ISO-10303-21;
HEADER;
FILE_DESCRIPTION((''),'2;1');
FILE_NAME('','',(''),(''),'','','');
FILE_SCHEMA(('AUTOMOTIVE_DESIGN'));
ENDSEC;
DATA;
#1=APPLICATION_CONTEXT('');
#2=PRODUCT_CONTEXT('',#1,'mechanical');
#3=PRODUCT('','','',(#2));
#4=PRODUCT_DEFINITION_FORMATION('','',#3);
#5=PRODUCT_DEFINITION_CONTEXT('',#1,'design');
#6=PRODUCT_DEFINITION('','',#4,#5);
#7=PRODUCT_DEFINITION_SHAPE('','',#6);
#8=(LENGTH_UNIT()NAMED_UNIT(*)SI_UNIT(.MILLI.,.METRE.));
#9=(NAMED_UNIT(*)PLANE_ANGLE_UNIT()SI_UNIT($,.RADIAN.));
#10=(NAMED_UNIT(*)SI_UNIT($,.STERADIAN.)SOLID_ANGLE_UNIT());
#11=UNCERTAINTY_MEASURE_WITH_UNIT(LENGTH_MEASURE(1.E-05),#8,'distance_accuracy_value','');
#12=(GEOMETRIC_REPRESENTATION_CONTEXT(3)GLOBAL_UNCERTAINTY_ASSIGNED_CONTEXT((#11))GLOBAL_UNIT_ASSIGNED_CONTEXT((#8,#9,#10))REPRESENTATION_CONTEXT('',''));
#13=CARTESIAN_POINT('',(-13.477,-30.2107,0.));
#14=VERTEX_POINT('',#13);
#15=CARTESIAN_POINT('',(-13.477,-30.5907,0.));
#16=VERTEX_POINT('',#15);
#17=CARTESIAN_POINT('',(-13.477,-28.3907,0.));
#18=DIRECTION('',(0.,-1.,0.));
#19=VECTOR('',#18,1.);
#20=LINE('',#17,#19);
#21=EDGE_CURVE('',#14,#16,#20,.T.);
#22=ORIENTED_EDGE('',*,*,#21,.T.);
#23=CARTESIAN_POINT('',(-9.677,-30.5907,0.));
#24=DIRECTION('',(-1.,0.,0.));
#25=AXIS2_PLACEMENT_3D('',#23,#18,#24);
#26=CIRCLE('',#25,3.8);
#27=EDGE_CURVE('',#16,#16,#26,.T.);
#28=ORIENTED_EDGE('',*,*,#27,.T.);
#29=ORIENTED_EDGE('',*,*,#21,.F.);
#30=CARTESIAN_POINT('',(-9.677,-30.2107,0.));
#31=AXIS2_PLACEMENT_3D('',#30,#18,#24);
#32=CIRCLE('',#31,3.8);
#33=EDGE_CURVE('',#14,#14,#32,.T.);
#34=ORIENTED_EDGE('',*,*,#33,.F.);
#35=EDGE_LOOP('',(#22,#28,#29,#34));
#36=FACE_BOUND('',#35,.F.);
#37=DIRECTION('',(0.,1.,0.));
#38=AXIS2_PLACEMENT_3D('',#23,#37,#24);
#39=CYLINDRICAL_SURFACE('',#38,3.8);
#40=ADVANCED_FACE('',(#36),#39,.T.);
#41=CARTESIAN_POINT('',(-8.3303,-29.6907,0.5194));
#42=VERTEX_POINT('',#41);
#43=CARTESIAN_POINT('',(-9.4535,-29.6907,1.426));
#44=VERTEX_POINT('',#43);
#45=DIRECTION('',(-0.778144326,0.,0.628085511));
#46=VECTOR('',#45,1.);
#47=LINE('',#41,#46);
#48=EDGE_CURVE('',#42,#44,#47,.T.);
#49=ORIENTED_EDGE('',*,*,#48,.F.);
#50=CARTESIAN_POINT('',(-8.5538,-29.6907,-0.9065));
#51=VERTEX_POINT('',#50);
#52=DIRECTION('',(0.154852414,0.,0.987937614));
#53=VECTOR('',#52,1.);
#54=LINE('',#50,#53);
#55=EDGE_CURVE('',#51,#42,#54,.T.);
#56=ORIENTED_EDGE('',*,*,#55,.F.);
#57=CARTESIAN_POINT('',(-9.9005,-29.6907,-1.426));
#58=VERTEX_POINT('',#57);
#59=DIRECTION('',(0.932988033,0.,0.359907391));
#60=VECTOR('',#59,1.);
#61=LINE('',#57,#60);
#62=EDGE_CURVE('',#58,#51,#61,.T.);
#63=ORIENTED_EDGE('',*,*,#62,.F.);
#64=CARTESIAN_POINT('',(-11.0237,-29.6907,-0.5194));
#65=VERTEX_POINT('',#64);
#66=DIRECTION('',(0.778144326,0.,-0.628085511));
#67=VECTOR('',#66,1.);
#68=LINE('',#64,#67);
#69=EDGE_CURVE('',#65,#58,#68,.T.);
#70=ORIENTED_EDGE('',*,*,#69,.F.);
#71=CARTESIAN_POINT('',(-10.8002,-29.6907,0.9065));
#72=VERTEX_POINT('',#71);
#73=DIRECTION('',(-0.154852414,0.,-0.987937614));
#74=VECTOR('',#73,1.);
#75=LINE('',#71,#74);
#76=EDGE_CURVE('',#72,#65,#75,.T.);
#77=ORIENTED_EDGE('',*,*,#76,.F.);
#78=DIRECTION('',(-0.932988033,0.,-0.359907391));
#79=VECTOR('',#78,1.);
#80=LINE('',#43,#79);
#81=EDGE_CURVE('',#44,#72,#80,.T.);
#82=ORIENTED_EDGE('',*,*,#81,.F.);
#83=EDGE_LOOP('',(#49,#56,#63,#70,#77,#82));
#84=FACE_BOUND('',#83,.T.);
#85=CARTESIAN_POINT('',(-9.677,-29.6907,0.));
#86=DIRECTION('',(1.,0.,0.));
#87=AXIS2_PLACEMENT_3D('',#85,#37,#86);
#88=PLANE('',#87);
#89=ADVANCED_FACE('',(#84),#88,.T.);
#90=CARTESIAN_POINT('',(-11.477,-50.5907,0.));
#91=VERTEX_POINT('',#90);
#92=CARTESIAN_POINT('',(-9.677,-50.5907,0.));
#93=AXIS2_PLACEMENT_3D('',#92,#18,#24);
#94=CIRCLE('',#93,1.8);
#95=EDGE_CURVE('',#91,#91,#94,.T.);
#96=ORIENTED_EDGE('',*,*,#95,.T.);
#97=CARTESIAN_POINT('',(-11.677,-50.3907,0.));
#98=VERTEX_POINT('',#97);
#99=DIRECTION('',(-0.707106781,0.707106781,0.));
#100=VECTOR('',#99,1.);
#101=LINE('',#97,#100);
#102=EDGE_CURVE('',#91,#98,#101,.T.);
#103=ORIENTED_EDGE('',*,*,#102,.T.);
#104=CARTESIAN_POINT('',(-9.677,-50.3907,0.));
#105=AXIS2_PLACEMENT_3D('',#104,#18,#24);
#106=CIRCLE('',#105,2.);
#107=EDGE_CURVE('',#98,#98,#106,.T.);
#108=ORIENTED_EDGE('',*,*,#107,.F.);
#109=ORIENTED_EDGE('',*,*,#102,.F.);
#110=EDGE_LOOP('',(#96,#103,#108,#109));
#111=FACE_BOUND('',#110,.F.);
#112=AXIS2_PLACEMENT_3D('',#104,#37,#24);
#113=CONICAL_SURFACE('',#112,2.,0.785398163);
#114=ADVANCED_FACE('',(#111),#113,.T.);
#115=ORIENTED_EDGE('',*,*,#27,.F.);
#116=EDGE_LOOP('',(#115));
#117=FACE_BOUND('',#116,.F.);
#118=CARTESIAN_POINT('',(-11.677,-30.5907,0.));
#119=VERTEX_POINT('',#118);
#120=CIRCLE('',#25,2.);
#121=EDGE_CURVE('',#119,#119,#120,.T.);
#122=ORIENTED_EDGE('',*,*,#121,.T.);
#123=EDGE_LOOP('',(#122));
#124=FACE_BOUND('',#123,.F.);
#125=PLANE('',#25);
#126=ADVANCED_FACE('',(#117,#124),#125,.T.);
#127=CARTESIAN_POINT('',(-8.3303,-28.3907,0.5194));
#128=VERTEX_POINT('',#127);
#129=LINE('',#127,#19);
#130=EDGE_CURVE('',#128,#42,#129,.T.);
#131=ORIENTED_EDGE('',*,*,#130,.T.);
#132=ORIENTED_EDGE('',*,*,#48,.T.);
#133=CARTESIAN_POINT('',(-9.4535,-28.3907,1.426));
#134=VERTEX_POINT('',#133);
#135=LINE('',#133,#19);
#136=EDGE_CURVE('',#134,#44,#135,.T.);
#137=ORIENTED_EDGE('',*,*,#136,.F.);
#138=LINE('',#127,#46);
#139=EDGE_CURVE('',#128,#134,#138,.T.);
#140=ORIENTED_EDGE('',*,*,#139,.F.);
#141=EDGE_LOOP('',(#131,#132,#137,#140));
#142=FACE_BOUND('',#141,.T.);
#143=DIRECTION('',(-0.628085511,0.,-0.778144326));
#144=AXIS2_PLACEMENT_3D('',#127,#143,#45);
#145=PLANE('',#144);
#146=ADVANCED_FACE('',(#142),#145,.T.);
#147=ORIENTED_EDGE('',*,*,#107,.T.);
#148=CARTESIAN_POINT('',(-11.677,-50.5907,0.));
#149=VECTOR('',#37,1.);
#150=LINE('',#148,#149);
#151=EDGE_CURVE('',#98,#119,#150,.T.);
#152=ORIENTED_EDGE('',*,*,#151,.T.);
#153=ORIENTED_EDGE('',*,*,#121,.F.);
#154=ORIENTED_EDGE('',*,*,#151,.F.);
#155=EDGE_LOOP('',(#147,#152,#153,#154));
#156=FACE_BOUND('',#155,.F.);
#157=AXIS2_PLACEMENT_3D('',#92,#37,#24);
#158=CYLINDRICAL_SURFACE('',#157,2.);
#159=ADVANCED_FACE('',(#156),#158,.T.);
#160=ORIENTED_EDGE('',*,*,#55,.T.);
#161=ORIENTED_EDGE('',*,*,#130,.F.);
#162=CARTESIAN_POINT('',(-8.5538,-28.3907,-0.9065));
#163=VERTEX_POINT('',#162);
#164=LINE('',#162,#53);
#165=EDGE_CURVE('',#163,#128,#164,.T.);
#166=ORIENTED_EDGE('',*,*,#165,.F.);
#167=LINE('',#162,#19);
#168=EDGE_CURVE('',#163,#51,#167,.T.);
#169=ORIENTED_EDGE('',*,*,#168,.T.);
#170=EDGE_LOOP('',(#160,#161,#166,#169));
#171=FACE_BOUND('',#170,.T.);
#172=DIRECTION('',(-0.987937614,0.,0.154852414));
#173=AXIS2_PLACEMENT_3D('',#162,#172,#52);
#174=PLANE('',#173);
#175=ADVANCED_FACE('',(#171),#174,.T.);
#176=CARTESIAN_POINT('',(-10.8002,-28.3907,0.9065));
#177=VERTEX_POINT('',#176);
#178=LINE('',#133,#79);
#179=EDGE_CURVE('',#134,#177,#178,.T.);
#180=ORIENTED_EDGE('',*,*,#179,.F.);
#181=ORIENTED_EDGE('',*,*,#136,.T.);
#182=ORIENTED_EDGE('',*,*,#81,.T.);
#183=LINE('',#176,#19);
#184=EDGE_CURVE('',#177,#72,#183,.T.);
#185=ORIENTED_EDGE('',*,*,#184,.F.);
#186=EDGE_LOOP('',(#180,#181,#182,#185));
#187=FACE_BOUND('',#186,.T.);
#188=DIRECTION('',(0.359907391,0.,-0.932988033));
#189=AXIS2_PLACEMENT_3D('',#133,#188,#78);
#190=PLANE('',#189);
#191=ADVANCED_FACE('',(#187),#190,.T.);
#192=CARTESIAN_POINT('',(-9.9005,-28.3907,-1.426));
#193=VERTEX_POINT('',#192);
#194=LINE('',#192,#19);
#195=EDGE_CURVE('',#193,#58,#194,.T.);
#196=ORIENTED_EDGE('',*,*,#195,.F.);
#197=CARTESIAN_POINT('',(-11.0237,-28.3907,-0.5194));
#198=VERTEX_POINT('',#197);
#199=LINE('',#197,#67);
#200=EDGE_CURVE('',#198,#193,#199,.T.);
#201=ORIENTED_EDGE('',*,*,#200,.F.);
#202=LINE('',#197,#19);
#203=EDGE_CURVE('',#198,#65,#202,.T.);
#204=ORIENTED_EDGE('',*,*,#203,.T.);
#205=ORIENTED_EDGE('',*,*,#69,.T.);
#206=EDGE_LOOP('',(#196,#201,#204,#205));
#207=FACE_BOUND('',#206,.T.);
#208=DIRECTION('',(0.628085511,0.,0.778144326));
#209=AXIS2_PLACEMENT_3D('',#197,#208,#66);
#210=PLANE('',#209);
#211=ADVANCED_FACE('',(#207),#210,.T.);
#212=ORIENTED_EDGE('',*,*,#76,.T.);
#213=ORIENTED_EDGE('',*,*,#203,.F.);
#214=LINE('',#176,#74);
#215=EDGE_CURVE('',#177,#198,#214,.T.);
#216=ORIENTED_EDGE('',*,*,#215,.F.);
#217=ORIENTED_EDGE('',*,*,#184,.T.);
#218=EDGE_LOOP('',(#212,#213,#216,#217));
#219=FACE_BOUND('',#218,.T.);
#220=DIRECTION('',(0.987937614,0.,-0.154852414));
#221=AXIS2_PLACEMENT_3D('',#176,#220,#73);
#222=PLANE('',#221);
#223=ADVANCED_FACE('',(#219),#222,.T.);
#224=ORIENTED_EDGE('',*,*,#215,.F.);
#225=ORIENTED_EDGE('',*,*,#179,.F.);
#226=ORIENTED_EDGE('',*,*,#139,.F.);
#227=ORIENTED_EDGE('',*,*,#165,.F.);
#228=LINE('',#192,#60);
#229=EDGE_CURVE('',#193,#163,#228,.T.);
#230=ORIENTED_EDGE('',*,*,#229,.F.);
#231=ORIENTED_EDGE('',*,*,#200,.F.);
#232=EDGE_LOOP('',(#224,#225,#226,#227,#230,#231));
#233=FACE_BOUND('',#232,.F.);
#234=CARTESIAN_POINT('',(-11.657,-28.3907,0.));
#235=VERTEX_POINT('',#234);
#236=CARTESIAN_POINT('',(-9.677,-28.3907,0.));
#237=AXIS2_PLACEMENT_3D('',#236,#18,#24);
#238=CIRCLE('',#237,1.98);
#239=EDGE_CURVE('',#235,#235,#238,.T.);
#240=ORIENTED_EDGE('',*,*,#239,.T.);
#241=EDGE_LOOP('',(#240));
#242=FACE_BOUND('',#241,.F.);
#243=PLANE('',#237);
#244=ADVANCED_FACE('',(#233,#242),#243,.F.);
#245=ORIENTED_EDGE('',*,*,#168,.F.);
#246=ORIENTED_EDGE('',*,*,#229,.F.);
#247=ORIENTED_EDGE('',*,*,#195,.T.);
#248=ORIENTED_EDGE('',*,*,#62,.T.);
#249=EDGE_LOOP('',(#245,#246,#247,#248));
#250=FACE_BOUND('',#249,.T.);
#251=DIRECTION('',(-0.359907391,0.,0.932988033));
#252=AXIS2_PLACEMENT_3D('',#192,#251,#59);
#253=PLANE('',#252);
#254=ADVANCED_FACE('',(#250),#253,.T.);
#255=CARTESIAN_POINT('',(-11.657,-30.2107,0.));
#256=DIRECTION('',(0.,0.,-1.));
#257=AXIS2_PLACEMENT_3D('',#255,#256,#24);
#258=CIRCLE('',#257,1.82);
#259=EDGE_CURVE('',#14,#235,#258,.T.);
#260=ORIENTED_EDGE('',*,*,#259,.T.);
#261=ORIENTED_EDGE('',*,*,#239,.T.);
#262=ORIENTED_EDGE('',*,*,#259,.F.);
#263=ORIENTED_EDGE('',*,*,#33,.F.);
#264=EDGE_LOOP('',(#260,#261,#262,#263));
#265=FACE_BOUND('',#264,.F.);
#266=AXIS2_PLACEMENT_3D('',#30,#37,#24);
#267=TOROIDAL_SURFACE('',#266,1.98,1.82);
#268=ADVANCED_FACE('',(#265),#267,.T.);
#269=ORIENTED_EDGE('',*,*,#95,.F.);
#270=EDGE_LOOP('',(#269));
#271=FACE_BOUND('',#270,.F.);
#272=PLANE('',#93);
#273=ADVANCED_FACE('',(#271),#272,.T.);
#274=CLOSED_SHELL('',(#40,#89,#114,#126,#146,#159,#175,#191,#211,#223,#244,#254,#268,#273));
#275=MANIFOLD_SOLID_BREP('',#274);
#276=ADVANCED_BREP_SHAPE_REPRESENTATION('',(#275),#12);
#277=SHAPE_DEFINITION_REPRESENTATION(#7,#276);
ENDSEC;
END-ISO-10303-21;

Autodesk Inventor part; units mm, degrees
ref_plane "YZ Plane" through (0, 0, 0) normal (1, 0, 0) x (0, 1, 0)
ref_plane "XZ Plane" through (0, 0, 0) normal (0, 1, 0) x (-1, 0, 0)
ref_plane "XY Plane" through (0, 0, 0) normal (0, 0, 1) x (1, 0, 0)
sketch "Sketch1" plane through (0, 0, 0) normal (0, 0, 1) x (1, 0, 0)
  line L0 (-9.677, -30.5907) -> (-13.477, -30.5907)
  line L1 (-9.677, -30.5907) -> (-9.677, -50.5907)
  line L2 (-9.677, -50.5907) -> (-11.677, -50.5907)
  line L3 (-11.677, -50.5907) -> (-11.677, -30.5907)
  line L4 (-9.677, -30.5907) -> (-9.677, -26.5988)
  line L5 (-13.477, -30.5907) -> (-13.477, -30.2107)
  line L6 (-13.477, -30.2107) -> (-13.477, -28.3907)
  line L7 (-13.477, -28.3907) -> (-9.677, -28.3907)
  point P0 (0, 0)
  dimension "d0" = 3.8
  dimension "d2" = 20
  dimension "d3" = 2
  dimension "d18" = 0.38
  dimension "d19" = 2.2
revolve "Revolution1" add sketch "Sketch1" angle 360 about axis through (-9.677, -30.5907, 0) along (0, -1, 0)
chamfer "Chamfer2" distance 0.2 angle 45 1 edges at (-7.677, -50.5907, 0)
thread "Rosca1" size "M4x0.7" class "6g" standard "ANSI Metric M Profile" full length
fillet "Empalme2" radius 1.82 1 edges at (-5.877, -28.3907, 0)
sketch "Boceto2" plane through (-9.677, -28.3907, 0) normal (0, 1, 0) x (1, 0, 0)
  line L0 (1.1232, 0.9065) -> (1.3467, -0.5194)
  line L1 (1.3467, -0.5194) -> (0.2235, -1.426)
  line L2 (0.2235, -1.426) -> (-1.1232, -0.9065)
  line L3 (-1.1232, -0.9065) -> (-1.3467, 0.5194)
  line L4 (-1.3467, 0.5194) -> (-0.2235, 1.426)
  line L5 (-0.2235, 1.426) -> (1.1232, 0.9065)
  point P0 (9.677, 0)
  point P1 (0, 0)
  dimension "d21" = 2.5
extrude "Extrusión1" cut sketch "Boceto2" against normal blind 1.3
properties part number "Tornillo Allen cabeza botón M4x20mm"
